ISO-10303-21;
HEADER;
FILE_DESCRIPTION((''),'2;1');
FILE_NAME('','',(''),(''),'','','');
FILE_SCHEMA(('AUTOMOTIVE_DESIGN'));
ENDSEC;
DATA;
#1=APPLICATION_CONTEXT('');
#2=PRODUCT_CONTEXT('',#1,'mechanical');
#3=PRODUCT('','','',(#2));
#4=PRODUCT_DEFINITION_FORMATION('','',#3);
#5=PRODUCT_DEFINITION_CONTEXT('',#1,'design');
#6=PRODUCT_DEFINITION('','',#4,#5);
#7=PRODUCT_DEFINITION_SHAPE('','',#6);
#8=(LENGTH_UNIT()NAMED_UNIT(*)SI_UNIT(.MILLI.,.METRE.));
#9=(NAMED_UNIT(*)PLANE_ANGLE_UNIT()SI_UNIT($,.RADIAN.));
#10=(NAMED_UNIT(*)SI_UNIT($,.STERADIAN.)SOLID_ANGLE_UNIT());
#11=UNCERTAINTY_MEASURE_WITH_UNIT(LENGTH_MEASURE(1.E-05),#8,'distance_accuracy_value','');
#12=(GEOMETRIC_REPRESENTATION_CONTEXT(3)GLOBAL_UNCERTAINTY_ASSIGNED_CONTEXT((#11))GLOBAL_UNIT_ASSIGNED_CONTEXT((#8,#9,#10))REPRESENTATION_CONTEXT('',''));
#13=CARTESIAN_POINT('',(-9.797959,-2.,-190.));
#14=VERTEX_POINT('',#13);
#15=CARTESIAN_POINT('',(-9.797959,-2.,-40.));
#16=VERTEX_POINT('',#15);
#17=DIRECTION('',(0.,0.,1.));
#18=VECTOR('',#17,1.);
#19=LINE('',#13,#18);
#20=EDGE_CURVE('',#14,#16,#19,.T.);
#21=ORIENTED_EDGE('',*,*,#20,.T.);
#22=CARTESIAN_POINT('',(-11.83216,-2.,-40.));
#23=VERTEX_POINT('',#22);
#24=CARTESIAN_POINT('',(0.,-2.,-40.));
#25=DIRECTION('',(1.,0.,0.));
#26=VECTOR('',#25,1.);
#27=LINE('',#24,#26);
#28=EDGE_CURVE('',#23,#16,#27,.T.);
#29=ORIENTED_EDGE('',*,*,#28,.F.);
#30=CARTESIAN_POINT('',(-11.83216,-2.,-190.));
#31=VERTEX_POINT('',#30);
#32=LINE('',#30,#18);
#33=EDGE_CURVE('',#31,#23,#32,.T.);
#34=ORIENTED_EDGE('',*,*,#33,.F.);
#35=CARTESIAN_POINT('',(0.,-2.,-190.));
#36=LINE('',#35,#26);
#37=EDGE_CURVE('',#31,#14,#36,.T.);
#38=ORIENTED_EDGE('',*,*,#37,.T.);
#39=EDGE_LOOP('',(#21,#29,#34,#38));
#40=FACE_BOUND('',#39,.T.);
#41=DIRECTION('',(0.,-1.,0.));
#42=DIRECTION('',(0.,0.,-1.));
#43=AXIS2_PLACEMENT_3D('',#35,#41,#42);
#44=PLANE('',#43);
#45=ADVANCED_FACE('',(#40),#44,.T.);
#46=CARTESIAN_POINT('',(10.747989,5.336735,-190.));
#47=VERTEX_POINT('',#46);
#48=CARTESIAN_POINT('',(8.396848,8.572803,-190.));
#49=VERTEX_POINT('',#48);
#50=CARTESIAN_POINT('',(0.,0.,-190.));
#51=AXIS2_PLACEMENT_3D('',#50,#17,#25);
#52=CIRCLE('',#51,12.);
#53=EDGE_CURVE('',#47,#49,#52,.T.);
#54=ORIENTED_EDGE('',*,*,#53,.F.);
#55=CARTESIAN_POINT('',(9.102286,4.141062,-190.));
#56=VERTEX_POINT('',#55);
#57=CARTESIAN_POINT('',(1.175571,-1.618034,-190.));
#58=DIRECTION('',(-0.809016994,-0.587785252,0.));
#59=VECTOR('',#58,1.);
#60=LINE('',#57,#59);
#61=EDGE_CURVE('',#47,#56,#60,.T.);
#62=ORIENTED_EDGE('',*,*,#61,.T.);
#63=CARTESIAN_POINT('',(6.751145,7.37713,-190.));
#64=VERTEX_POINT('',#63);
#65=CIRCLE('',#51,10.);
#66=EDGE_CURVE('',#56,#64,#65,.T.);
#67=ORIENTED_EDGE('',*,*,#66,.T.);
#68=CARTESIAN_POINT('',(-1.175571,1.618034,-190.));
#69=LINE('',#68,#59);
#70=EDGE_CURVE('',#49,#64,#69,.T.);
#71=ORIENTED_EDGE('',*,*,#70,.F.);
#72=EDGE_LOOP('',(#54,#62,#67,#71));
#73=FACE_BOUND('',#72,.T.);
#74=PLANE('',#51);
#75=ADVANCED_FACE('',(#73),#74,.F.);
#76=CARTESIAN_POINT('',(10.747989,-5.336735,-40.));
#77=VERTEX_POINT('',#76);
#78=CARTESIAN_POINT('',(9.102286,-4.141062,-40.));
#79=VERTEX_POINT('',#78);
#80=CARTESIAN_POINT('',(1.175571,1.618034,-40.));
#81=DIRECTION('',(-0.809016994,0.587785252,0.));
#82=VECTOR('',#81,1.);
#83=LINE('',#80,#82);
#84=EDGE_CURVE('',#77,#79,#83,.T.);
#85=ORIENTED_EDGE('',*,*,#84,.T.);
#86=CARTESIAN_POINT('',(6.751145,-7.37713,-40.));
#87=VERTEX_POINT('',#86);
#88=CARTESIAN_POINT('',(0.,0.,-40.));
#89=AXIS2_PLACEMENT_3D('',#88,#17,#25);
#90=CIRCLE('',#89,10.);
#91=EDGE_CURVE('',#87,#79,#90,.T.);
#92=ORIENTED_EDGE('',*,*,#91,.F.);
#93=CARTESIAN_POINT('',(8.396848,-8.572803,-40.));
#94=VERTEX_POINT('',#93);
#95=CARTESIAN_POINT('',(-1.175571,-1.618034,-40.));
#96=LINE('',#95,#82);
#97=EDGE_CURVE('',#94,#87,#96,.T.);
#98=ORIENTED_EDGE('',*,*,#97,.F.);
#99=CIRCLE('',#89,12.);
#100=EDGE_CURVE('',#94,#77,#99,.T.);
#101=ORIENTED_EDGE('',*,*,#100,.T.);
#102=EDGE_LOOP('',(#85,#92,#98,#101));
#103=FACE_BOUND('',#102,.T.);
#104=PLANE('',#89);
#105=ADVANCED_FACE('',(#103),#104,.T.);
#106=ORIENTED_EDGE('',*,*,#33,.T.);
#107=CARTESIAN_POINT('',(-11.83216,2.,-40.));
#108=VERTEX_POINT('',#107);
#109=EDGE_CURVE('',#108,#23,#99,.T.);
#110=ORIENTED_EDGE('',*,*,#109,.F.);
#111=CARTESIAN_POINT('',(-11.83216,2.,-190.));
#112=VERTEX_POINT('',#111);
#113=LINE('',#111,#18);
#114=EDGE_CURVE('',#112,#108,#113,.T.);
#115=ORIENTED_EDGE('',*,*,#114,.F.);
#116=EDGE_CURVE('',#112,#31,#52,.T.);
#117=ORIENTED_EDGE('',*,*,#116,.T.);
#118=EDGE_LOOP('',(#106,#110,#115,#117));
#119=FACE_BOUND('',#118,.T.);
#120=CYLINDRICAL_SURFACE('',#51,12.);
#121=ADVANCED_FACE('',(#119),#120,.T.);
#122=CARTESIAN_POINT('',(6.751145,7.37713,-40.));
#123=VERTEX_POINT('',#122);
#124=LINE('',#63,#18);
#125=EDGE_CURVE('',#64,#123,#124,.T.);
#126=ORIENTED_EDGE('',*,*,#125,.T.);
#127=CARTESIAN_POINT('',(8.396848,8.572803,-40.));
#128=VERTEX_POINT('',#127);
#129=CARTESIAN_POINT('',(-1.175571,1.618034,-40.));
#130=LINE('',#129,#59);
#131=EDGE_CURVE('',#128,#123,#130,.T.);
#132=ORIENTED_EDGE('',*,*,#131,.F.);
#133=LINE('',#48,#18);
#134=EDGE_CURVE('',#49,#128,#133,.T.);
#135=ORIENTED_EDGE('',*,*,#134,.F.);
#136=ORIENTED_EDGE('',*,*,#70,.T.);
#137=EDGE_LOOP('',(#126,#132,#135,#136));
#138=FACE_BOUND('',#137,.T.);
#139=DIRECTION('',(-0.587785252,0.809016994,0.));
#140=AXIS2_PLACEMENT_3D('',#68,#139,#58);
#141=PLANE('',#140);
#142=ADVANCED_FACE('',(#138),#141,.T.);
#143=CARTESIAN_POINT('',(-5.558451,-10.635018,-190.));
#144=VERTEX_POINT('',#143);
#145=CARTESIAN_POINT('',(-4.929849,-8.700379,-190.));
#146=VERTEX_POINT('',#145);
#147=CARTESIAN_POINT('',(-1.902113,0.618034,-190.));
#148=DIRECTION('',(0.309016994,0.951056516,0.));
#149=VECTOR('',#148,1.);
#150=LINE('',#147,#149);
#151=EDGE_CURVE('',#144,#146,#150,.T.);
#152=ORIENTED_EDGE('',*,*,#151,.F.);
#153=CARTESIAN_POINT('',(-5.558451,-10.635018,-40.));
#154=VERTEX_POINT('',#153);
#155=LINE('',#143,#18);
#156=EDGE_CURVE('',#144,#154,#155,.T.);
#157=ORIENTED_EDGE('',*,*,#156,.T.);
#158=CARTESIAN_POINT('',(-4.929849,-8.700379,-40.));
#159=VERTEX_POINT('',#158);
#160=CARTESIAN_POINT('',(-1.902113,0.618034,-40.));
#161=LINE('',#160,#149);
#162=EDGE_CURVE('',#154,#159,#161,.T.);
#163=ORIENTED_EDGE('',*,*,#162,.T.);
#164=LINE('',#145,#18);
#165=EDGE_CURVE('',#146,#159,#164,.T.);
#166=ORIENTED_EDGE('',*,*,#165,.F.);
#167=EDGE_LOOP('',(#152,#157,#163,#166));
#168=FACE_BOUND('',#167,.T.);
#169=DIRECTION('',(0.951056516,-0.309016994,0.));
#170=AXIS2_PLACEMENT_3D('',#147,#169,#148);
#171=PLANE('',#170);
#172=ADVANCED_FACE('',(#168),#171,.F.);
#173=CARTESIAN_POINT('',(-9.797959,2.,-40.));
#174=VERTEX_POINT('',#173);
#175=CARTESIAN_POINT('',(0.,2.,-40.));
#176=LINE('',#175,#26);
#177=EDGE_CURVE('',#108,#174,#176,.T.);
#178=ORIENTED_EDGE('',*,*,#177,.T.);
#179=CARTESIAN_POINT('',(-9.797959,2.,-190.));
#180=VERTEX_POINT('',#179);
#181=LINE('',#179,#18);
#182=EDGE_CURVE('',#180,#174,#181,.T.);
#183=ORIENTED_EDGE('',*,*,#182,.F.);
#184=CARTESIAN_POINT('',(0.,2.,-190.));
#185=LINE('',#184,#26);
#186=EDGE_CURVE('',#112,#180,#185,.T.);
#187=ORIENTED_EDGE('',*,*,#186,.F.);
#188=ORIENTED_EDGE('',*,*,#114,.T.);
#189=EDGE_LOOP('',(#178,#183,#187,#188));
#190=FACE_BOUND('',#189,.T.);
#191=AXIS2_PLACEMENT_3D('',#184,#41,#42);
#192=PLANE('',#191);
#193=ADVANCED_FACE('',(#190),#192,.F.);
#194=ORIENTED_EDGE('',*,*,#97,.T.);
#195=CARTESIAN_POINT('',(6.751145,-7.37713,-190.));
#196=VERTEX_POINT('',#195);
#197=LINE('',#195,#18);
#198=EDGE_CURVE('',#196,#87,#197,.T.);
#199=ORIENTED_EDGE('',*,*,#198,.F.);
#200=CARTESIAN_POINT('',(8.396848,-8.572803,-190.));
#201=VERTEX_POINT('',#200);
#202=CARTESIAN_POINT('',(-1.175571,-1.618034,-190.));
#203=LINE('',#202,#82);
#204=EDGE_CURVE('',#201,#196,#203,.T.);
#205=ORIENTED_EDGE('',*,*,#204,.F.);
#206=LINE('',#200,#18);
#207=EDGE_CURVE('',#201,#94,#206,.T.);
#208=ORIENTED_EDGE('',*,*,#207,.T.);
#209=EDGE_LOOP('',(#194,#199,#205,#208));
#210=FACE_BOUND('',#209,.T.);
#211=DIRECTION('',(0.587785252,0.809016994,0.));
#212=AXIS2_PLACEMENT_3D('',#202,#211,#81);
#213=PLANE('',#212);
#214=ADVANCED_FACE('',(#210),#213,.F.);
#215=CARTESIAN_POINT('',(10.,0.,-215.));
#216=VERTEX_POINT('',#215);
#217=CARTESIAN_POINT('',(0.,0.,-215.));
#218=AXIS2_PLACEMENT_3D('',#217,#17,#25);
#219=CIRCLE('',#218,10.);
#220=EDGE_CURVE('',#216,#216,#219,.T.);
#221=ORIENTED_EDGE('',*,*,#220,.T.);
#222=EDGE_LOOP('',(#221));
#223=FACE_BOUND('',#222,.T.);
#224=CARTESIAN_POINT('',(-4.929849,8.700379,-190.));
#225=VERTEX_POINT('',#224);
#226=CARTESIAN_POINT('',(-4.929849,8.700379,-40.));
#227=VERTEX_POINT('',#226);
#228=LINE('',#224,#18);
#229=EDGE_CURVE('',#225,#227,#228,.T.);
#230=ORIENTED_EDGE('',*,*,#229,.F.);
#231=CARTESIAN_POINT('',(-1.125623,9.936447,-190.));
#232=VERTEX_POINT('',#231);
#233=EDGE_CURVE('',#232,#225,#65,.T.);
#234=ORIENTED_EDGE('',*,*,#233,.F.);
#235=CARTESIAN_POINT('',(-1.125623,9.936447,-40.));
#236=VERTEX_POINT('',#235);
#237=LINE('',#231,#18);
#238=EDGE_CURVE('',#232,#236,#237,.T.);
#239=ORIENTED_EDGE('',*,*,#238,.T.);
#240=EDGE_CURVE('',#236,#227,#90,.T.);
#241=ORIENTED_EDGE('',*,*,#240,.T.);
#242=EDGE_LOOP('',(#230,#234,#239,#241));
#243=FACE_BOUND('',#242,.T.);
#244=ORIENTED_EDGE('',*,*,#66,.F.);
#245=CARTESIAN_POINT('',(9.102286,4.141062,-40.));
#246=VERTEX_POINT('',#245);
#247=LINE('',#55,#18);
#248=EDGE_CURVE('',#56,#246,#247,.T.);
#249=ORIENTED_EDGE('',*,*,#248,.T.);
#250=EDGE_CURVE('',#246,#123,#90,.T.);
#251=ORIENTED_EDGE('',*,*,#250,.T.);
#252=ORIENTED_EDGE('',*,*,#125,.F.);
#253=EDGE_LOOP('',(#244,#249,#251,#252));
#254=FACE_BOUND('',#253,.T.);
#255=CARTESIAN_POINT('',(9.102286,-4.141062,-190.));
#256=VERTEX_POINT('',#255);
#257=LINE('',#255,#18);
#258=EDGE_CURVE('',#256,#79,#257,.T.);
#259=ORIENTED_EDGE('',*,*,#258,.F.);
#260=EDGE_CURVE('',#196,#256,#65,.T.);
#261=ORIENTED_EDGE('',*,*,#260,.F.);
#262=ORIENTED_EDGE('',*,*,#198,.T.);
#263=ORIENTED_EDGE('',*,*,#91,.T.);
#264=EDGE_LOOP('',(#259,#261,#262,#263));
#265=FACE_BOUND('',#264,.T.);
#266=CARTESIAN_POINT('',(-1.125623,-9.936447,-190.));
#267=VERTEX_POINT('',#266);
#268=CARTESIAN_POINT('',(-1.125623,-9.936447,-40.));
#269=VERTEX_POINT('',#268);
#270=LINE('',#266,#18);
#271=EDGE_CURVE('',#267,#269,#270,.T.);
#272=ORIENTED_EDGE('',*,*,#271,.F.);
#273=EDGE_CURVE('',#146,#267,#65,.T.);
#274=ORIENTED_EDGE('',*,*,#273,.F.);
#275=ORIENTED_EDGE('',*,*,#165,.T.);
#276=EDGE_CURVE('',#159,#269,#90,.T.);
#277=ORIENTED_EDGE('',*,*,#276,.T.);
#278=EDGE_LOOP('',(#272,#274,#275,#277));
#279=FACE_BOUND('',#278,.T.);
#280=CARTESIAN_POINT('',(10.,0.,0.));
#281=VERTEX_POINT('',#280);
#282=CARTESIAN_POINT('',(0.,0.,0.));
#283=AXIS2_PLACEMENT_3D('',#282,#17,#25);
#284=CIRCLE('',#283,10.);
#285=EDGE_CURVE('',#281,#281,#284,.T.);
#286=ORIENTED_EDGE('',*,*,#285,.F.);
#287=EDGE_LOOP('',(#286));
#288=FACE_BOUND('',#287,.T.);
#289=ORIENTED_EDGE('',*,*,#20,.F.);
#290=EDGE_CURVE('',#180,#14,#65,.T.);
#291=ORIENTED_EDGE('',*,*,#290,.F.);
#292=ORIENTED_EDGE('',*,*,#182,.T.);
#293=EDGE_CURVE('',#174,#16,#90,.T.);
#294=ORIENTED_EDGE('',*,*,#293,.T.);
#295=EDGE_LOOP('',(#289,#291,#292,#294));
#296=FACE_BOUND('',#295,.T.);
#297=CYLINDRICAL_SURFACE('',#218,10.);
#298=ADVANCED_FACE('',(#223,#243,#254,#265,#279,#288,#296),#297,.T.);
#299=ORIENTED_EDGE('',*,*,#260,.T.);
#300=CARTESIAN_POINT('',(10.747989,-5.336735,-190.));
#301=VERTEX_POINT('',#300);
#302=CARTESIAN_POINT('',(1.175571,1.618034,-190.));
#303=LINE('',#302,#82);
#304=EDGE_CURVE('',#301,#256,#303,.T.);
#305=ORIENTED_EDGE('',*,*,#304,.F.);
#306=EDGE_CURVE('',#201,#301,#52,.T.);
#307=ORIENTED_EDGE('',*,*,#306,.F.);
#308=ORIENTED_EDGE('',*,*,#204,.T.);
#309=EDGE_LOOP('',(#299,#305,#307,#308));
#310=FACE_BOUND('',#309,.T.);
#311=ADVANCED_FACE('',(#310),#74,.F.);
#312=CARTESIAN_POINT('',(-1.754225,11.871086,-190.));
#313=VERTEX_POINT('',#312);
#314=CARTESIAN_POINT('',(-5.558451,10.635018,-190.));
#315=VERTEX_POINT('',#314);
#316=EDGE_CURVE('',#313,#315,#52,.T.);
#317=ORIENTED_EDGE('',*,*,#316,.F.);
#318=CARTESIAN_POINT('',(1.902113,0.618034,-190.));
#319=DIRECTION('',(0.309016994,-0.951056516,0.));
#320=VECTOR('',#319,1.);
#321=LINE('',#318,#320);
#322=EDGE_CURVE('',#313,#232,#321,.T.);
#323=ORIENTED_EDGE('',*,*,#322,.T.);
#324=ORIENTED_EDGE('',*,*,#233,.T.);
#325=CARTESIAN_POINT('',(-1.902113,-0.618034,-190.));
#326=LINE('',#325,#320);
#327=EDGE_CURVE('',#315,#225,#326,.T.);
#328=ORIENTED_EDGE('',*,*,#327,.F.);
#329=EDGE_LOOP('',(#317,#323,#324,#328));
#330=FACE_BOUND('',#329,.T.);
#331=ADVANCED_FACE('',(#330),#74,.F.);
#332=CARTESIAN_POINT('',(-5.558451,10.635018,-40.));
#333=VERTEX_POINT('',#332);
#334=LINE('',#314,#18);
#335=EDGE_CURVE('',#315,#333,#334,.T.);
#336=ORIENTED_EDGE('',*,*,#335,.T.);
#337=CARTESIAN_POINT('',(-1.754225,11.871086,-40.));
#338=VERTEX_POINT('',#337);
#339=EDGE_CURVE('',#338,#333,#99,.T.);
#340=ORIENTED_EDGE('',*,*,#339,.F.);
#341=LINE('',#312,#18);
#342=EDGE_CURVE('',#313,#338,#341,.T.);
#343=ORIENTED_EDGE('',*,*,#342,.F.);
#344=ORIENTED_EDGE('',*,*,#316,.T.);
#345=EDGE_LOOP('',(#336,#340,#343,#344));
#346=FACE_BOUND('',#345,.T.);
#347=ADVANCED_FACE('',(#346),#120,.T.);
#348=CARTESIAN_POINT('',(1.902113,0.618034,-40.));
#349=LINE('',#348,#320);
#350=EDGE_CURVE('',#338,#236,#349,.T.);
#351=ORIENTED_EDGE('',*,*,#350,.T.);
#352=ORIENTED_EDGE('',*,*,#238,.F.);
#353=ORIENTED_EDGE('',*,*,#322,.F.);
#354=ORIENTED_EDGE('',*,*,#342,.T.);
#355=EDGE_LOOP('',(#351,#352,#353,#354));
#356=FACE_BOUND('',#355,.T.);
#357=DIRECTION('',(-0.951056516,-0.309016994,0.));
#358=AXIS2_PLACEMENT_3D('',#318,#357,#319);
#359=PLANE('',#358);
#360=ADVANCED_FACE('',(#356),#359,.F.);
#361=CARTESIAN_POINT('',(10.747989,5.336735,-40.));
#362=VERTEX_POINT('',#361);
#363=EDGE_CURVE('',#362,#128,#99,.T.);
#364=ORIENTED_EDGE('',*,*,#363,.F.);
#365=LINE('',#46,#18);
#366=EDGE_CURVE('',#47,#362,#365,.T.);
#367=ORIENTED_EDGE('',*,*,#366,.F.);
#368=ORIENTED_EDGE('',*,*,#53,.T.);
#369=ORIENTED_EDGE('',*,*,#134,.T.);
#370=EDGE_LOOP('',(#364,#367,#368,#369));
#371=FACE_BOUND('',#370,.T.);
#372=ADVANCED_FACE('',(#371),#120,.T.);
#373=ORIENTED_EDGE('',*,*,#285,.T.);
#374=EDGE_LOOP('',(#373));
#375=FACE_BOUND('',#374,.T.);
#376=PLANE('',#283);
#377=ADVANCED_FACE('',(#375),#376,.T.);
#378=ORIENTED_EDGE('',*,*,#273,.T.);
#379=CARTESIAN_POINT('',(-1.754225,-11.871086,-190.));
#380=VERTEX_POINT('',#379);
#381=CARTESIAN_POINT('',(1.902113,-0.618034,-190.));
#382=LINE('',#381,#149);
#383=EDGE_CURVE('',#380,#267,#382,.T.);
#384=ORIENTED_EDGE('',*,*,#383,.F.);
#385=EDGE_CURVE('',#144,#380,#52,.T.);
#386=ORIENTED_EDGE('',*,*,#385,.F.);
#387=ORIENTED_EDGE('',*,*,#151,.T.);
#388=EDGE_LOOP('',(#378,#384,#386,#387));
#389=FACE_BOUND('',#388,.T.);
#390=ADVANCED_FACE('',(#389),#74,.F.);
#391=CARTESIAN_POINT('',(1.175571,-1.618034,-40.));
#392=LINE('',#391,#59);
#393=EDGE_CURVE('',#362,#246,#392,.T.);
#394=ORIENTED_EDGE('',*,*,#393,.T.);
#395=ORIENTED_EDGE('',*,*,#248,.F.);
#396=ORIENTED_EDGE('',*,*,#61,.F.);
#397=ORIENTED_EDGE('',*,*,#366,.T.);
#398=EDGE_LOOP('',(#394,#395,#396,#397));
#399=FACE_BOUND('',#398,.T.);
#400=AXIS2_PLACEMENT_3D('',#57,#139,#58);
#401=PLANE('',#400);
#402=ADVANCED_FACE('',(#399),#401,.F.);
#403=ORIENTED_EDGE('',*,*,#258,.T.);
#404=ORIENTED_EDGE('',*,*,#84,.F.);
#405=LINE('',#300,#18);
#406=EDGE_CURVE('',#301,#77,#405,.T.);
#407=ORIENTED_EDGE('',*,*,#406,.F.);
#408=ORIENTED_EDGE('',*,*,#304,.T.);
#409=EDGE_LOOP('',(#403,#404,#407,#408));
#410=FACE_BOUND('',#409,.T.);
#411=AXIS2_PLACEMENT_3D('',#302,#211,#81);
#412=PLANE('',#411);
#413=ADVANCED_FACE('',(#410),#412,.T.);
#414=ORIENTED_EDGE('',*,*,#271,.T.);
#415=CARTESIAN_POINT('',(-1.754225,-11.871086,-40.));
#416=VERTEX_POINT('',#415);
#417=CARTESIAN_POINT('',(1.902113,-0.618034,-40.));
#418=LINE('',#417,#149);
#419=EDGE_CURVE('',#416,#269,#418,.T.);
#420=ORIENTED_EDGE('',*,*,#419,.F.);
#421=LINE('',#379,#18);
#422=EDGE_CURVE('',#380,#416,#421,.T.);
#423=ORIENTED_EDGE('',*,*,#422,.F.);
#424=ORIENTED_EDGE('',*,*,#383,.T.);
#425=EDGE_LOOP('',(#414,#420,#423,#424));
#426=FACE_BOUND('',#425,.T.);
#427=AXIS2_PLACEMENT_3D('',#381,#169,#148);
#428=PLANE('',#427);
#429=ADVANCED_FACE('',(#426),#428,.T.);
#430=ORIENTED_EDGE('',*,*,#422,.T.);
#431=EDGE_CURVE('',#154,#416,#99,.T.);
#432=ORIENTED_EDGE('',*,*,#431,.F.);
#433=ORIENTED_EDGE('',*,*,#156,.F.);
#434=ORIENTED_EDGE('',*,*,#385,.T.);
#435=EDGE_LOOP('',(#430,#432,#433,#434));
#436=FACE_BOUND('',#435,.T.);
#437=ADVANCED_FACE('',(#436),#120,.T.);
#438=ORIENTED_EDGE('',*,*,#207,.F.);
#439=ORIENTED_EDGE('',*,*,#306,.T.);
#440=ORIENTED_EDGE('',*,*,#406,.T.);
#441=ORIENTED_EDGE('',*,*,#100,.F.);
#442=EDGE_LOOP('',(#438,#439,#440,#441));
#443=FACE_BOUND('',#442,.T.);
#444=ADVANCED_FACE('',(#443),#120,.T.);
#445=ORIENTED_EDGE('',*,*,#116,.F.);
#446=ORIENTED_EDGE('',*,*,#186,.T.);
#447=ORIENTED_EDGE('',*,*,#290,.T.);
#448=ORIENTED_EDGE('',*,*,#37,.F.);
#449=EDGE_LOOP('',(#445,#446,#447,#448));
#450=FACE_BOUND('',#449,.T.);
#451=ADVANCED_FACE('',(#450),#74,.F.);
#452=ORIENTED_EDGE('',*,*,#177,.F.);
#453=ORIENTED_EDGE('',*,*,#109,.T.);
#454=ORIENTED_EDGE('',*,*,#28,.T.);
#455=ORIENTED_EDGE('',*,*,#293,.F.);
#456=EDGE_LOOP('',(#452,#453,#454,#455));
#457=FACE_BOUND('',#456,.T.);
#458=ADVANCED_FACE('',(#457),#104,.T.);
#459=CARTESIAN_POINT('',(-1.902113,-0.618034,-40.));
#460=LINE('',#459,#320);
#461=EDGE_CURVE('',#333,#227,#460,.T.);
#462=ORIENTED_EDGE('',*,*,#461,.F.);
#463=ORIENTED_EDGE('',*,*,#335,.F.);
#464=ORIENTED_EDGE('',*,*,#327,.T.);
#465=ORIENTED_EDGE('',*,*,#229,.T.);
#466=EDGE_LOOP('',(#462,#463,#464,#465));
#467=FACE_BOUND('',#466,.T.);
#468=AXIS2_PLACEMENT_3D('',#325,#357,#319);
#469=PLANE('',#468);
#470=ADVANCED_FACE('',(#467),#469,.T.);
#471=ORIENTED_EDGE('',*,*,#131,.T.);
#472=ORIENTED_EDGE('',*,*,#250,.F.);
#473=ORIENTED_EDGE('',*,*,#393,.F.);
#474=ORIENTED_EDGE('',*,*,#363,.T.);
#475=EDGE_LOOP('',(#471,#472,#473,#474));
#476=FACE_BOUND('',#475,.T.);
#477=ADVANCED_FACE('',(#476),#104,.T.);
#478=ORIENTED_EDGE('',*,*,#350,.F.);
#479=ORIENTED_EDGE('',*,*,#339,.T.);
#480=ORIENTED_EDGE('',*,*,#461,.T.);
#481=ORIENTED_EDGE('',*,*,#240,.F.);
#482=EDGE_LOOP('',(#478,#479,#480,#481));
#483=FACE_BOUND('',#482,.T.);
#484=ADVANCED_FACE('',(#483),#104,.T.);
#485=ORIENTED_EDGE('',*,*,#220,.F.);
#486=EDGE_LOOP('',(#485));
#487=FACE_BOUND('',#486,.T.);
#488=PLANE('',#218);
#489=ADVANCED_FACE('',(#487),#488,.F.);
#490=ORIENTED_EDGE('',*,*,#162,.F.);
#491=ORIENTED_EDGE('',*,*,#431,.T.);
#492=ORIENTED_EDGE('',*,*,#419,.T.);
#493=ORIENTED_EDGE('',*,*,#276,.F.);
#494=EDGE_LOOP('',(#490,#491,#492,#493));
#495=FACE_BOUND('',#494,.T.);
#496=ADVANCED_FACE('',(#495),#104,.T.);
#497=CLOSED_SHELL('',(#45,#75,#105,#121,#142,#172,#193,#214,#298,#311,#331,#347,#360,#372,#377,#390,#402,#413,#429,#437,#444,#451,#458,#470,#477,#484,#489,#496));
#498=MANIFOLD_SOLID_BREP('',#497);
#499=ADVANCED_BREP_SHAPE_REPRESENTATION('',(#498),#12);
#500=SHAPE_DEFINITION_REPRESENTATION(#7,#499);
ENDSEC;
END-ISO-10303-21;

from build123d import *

# Parameters (mm, degrees)
IZIM1_R                     = 10
Y_KSEKLIK_EKSTR_ZYON1_DEPTH = 215
Y_KSEKLIK_EKSTR_ZYON2_DEPTH = 150


with BuildPart() as part:
    # Çizim1 → Yükseklik-Ekstrüzyon1 (new body)
    with BuildSketch(Plane.XY):
        Circle(IZIM1_R)
    extrude(amount=-Y_KSEKLIK_EKSTR_ZYON1_DEPTH)

    # Çizim2 → Yükseklik-Ekstrüzyon2 (add)
    with BuildSketch(Plane.XY.offset(-40)):
        with BuildLine():
            ThreePointArc((-9.797958971, -2), (-10, 0), (-9.797958971, 2))
            Line((-9.797958971, 2), (-11.832159566, 2))
            ThreePointArc((-11.832159566, 2), (-12, 0), (-11.832159566, -2))
            Line((-11.832159566, -2), (-9.797958971, -2))
        make_face()
        with BuildLine():
            Line((-1.1256228, 9.936446715), (-1.754225354, 11.871086446))
            ThreePointArc((-1.754225354, 11.871086446), (-3.708203932, 11.412678196), (-5.558451419, 10.635018469))
            Line((-5.558451419, 10.635018469), (-4.929848865, 8.700378737))
            ThreePointArc((-4.929848865, 8.700378737), (-3.090169944, 9.510565163), (-1.1256228, 9.936446715))
        make_face()
        with BuildLine():
            Line((8.396847665, 8.572802885), (6.751144813, 7.377129775))
            ThreePointArc((6.751144813, 7.377129775), (8.090169944, 5.877852523), (9.102285822, 4.141061797))
            Line((9.102285822, 4.141061797), (10.747988674, 5.336734907))
            ThreePointArc((10.747988674, 5.336734907), (9.708203932, 7.053423028), (8.396847665, 8.572802885))
        make_face()
        with BuildLine():
            Line((10.747988674, -5.336734907), (9.102285822, -4.141061797))
            ThreePointArc((9.102285822, -4.141061797), (8.090169944, -5.877852523), (6.751144813, -7.377129775))
            Line((6.751144813, -7.377129775), (8.396847665, -8.572802885))
            ThreePointArc((8.396847665, -8.572802885), (9.708203932, -7.053423028), (10.747988674, -5.336734907))
        make_face()
        with BuildLine():
            ThreePointArc((-1.1256228, -9.936446715), (-3.090169944, -9.510565163), (-4.929848865, -8.700378737))
            Line((-4.929848865, -8.700378737), (-5.558451419, -10.635018469))
            ThreePointArc((-5.558451419, -10.635018469), (-3.708203932, -11.412678196), (-1.754225354, -11.871086446))
            Line((-1.754225354, -11.871086446), (-1.1256228, -9.936446715))
        make_face()
    extrude(amount=-Y_KSEKLIK_EKSTR_ZYON2_DEPTH)


solid = part.part
